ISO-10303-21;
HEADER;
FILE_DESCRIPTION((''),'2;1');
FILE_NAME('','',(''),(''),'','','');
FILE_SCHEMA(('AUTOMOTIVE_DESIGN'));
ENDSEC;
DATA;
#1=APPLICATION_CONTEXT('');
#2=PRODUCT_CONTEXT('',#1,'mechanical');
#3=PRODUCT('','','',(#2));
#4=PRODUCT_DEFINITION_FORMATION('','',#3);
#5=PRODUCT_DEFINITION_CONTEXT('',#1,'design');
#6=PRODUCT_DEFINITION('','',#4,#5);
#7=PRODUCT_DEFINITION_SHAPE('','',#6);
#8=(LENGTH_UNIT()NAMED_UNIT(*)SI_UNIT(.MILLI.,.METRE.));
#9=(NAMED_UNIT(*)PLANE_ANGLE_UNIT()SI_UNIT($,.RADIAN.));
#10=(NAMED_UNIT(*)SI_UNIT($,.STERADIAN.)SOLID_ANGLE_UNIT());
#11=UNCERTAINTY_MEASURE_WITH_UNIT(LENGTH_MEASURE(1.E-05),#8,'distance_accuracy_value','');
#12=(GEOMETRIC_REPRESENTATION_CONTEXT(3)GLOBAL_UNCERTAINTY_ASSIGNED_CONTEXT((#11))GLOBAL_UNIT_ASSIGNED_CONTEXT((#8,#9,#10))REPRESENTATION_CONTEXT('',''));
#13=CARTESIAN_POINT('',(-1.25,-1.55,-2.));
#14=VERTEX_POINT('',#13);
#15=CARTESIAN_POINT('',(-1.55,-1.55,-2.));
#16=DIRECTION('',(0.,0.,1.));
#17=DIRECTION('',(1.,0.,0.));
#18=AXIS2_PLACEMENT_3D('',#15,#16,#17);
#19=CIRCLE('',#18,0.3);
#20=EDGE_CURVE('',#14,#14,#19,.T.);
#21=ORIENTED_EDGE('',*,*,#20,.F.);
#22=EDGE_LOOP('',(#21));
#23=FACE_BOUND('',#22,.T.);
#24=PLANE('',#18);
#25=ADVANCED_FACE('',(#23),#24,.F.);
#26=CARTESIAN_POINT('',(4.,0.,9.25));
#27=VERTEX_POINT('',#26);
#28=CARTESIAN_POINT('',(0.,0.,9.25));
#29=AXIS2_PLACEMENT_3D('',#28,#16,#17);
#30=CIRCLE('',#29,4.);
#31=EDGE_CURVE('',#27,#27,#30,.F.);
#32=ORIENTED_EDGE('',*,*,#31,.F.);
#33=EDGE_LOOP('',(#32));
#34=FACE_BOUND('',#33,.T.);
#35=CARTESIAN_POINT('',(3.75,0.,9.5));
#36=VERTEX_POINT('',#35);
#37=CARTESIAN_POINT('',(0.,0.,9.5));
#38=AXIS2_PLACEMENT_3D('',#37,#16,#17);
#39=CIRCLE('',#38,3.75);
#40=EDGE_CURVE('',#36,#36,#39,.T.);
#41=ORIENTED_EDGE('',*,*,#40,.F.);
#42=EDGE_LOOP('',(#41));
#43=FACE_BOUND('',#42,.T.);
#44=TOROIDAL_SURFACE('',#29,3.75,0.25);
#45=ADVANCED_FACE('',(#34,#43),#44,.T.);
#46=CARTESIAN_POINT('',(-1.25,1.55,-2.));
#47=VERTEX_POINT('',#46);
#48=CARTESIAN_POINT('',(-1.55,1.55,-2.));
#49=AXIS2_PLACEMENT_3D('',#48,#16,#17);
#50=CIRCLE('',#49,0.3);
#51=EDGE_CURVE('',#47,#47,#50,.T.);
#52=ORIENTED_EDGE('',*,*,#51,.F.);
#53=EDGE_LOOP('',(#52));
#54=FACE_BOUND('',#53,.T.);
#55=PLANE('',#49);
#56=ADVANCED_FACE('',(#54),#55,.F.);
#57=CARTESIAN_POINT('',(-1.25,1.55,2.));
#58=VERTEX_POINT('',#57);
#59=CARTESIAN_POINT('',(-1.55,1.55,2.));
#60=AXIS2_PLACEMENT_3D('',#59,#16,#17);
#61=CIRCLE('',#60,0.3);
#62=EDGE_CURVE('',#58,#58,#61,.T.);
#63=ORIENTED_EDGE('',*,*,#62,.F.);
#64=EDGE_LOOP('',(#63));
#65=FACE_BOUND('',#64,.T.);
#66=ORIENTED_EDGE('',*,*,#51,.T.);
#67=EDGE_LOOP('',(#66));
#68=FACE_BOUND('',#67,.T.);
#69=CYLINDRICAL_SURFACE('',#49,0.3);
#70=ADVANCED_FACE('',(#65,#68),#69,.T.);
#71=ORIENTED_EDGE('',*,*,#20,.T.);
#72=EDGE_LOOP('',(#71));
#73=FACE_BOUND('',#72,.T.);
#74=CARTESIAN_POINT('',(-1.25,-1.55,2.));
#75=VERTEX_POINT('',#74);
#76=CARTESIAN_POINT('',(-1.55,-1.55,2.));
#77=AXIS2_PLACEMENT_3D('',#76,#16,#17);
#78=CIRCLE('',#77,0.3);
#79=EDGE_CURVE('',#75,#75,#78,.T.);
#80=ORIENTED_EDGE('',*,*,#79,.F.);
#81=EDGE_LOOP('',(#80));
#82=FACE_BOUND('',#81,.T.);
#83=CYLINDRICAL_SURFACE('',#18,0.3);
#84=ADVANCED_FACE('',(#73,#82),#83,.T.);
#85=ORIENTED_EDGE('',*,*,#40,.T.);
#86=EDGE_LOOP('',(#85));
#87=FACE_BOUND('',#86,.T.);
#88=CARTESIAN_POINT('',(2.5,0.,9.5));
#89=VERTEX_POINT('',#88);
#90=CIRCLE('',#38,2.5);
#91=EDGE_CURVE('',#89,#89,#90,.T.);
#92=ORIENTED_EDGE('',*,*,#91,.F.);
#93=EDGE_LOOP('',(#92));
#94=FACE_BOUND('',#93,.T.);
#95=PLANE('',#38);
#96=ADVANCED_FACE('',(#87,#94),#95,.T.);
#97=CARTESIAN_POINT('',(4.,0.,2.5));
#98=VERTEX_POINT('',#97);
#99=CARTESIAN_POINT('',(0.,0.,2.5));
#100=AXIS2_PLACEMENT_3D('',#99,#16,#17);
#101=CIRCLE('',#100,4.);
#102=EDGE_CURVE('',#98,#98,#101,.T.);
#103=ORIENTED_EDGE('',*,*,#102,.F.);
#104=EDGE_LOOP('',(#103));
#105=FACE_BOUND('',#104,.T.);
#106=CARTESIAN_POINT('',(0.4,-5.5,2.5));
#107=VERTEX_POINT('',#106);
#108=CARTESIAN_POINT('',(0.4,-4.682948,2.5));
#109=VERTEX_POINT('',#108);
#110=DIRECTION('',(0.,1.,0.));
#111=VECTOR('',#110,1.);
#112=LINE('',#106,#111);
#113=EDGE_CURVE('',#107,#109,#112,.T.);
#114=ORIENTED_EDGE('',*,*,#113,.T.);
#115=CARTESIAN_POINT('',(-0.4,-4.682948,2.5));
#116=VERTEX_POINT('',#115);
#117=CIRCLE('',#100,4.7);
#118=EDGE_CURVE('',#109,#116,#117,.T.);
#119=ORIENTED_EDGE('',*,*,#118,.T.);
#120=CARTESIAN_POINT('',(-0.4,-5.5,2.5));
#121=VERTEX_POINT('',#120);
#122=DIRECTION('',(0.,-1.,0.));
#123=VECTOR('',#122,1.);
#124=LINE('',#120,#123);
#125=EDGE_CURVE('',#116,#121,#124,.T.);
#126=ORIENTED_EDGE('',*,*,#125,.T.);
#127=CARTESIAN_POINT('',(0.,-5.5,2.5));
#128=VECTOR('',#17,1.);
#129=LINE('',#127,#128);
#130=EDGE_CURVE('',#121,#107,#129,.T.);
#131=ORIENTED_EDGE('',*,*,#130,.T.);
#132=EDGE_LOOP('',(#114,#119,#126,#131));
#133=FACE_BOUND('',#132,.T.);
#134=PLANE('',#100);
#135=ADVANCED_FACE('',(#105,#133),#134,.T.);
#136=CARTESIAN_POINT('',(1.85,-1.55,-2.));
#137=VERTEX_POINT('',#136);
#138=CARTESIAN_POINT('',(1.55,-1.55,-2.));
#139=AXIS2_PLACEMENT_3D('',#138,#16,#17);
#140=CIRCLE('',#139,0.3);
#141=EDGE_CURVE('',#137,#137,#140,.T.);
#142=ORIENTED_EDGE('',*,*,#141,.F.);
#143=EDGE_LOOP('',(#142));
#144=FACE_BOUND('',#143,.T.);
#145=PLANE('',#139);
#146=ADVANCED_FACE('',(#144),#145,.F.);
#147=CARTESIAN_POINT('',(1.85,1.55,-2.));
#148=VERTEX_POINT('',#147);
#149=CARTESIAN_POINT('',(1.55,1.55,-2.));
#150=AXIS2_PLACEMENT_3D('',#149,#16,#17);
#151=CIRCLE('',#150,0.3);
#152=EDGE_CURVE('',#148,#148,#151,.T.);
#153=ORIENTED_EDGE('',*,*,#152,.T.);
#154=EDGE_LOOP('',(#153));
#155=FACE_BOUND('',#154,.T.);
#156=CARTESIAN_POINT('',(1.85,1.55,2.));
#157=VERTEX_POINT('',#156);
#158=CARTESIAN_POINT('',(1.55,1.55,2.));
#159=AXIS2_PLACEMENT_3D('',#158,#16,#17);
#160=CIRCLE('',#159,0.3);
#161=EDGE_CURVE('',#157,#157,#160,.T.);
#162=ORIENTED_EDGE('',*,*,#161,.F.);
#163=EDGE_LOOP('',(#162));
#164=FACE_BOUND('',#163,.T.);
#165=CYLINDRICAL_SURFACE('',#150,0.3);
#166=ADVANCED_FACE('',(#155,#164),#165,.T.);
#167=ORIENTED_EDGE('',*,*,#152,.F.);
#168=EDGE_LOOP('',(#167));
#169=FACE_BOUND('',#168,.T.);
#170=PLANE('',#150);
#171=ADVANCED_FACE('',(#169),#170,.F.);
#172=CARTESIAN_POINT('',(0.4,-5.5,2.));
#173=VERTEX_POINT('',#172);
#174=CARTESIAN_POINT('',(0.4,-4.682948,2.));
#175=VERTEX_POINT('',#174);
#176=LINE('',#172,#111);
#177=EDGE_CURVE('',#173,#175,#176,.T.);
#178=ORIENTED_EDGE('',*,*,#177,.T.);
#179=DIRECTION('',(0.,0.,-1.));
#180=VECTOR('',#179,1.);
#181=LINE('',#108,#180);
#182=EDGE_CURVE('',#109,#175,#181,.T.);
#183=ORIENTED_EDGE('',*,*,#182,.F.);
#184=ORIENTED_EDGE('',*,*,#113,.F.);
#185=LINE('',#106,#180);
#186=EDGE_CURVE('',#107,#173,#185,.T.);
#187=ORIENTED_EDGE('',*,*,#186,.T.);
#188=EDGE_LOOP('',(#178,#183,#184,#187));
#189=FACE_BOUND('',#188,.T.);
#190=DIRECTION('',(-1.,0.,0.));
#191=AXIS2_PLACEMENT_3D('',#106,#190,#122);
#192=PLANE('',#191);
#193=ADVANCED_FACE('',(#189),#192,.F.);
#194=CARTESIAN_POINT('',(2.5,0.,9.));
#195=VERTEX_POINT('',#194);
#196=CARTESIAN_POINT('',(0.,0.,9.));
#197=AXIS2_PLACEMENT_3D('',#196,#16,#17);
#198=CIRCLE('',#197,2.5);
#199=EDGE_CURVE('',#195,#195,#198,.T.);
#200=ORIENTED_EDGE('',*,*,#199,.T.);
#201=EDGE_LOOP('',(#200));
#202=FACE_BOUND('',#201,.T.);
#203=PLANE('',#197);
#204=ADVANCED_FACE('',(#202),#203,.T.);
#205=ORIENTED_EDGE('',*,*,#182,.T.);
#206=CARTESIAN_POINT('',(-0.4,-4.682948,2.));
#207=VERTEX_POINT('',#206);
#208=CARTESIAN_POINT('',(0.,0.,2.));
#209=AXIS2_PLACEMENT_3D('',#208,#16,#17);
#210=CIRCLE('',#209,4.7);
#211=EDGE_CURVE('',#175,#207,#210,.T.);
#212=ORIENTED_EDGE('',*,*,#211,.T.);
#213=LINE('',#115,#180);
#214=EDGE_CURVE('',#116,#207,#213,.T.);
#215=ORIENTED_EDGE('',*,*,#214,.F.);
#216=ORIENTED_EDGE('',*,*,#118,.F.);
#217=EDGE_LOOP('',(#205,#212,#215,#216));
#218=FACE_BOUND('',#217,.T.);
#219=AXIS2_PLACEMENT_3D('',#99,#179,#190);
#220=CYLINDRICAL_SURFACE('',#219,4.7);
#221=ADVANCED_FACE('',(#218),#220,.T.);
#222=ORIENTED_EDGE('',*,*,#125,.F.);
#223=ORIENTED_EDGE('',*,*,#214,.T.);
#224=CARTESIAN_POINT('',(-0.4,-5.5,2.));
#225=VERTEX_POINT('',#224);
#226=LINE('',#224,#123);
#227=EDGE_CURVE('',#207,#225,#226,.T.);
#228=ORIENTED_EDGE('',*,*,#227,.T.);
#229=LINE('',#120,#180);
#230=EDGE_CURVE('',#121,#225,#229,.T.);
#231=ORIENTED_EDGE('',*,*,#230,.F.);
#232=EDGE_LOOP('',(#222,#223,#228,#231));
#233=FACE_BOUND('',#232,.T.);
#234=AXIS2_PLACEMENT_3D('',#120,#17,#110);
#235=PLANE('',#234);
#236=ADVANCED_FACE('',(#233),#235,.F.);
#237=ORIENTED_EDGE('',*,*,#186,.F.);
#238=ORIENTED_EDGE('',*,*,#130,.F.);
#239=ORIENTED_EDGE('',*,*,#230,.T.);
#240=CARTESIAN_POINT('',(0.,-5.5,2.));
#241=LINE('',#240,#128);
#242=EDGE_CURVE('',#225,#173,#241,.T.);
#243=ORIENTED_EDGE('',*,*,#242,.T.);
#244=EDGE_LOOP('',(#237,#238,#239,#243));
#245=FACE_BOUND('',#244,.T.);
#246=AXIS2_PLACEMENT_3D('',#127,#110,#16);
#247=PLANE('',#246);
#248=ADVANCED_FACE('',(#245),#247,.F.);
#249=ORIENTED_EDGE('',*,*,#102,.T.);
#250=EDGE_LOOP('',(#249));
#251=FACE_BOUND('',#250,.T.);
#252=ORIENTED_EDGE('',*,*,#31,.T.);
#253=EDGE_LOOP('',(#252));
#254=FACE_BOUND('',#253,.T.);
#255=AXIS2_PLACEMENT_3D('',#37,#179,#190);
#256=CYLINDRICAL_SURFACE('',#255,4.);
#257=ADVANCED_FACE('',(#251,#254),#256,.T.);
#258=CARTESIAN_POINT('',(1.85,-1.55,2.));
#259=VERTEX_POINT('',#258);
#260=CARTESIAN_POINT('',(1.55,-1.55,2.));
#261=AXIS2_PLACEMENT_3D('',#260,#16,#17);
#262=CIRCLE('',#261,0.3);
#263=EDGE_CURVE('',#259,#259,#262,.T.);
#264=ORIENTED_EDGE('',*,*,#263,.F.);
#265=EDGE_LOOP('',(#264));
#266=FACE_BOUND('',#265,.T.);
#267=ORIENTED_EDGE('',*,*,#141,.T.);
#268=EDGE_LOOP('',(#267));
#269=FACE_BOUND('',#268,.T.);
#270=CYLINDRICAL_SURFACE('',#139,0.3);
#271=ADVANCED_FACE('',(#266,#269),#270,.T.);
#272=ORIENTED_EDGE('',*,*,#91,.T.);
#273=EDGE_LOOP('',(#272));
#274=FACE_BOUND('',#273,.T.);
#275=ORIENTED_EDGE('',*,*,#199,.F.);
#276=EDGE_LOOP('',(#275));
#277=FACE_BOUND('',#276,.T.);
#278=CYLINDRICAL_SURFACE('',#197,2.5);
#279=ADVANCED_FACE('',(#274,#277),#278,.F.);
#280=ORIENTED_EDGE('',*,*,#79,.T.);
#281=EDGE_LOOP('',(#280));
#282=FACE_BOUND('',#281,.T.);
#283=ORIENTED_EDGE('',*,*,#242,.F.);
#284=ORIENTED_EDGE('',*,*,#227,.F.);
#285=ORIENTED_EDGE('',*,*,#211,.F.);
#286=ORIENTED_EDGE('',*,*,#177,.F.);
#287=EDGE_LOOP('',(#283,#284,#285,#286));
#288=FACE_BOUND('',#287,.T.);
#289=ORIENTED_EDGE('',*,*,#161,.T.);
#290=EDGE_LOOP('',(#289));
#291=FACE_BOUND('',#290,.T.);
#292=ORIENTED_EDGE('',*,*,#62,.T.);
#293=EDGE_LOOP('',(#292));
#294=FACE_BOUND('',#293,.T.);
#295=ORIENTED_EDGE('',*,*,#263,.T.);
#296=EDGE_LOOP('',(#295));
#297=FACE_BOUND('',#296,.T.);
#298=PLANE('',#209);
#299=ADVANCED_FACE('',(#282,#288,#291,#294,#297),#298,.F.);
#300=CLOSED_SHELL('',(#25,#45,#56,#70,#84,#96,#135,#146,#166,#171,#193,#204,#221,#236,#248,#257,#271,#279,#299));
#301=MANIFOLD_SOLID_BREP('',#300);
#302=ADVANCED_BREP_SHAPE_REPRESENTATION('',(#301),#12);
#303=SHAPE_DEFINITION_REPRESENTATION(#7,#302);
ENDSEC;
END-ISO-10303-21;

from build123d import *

# Parameters (mm, degrees)
BOSS_EXTRUDE1_DEPTH        = 2
BOSS_EXTRUDE1_DEPTH_BACK   = 2
SKETCH1_R                  = 0.3
BOSS_EXTRUDE1_2_DEPTH      = 2
BOSS_EXTRUDE1_2_DEPTH_BACK = 2
BOSS_EXTRUDE1_3_DEPTH      = 2
BOSS_EXTRUDE1_3_DEPTH_BACK = 2
BOSS_EXTRUDE1_4_DEPTH      = 2
BOSS_EXTRUDE1_4_DEPTH_BACK = 2
BOSS_EXTRUDE2_DEPTH        = 0.5
SKETCH3_R                  = 4
BOSS_EXTRUDE3_DEPTH        = 7
FILLET1_R                  = 0.25
SKETCH4_R                  = 2.5
CUT_EXTRUDE1_DEPTH         = 0.5


with BuildPart() as part:
    # Sketch1 → Boss-Extrude1 (new, two sides: drawn at the far end of the back side and taken through both)
    with BuildSketch(Plane.XY.offset(-BOSS_EXTRUDE1_DEPTH_BACK)):
        with Locations((-1.55, 1.55)):
            Circle(SKETCH1_R)
    extrude(amount=BOSS_EXTRUDE1_DEPTH + BOSS_EXTRUDE1_DEPTH_BACK)



with BuildPart() as body_2:
    # Sketch1 → Boss-Extrude1 2 (new, two sides: drawn at the far end of the back side and taken through both)
    with BuildSketch(Plane.XY.offset(-BOSS_EXTRUDE1_2_DEPTH_BACK)):
        with Locations((-1.55, -1.55)):
            Circle(SKETCH1_R)
    extrude(amount=BOSS_EXTRUDE1_2_DEPTH + BOSS_EXTRUDE1_2_DEPTH_BACK)


with BuildPart() as body_3:
    # Sketch1 → Boss-Extrude1 3 (new, two sides: drawn at the far end of the back side and taken through both)
    with BuildSketch(Plane.XY.offset(-BOSS_EXTRUDE1_3_DEPTH_BACK)):
        with Locations((1.55, 1.55)):
            Circle(SKETCH1_R)
    extrude(amount=BOSS_EXTRUDE1_3_DEPTH + BOSS_EXTRUDE1_3_DEPTH_BACK)


with BuildPart() as body_4:
    # Sketch1 → Boss-Extrude1 4 (new, two sides: drawn at the far end of the back side and taken through both)
    with BuildSketch(Plane.XY.offset(-BOSS_EXTRUDE1_4_DEPTH_BACK)):
        with Locations((1.55, -1.55)):
            Circle(SKETCH1_R)
    extrude(amount=BOSS_EXTRUDE1_4_DEPTH + BOSS_EXTRUDE1_4_DEPTH_BACK)


with BuildPart() as part_1:
    add(part.part)

    add(body_2.part)  # Boss-Extrude2 merges body 2

    add(body_3.part)  # Boss-Extrude2 merges body 3

    add(body_4.part)  # Boss-Extrude2 merges body 4
    # Sketch2 → Boss-Extrude2 (add)
    with BuildSketch(Plane.XY.offset(2)):
        with BuildLine():
            Line((0, -5.5), (0.4, -5.5))
            Line((0.4, -5.5), (0.4, -4.68294779))
            ThreePointArc((0.4, -4.68294779), (0, 4.7), (-0.4, -4.68294779))
            Line((-0.4, -4.68294779), (-0.4, -5.5))
            Line((-0.4, -5.5), (0, -5.5))
        make_face()
    extrude(amount=BOSS_EXTRUDE2_DEPTH)

    # Sketch3 → Boss-Extrude3 (add)
    with BuildSketch(Plane.XY.offset(2.5)):
        Circle(SKETCH3_R)
    extrude(amount=BOSS_EXTRUDE3_DEPTH)

    # Fillet1
    fillet1_edges = [part_1.edges().sort_by_distance(p)[0] for p in [
        (-4, 0, 9.5),
    ]]
    fillet(fillet1_edges, radius=FILLET1_R)

    # Sketch4 → Cut-Extrude1 (cut)
    with BuildSketch(Plane.XY.offset(9.5)):
        Circle(SKETCH4_R)
    extrude(amount=-CUT_EXTRUDE1_DEPTH, mode=Mode.SUBTRACT)


solid = part_1.part
